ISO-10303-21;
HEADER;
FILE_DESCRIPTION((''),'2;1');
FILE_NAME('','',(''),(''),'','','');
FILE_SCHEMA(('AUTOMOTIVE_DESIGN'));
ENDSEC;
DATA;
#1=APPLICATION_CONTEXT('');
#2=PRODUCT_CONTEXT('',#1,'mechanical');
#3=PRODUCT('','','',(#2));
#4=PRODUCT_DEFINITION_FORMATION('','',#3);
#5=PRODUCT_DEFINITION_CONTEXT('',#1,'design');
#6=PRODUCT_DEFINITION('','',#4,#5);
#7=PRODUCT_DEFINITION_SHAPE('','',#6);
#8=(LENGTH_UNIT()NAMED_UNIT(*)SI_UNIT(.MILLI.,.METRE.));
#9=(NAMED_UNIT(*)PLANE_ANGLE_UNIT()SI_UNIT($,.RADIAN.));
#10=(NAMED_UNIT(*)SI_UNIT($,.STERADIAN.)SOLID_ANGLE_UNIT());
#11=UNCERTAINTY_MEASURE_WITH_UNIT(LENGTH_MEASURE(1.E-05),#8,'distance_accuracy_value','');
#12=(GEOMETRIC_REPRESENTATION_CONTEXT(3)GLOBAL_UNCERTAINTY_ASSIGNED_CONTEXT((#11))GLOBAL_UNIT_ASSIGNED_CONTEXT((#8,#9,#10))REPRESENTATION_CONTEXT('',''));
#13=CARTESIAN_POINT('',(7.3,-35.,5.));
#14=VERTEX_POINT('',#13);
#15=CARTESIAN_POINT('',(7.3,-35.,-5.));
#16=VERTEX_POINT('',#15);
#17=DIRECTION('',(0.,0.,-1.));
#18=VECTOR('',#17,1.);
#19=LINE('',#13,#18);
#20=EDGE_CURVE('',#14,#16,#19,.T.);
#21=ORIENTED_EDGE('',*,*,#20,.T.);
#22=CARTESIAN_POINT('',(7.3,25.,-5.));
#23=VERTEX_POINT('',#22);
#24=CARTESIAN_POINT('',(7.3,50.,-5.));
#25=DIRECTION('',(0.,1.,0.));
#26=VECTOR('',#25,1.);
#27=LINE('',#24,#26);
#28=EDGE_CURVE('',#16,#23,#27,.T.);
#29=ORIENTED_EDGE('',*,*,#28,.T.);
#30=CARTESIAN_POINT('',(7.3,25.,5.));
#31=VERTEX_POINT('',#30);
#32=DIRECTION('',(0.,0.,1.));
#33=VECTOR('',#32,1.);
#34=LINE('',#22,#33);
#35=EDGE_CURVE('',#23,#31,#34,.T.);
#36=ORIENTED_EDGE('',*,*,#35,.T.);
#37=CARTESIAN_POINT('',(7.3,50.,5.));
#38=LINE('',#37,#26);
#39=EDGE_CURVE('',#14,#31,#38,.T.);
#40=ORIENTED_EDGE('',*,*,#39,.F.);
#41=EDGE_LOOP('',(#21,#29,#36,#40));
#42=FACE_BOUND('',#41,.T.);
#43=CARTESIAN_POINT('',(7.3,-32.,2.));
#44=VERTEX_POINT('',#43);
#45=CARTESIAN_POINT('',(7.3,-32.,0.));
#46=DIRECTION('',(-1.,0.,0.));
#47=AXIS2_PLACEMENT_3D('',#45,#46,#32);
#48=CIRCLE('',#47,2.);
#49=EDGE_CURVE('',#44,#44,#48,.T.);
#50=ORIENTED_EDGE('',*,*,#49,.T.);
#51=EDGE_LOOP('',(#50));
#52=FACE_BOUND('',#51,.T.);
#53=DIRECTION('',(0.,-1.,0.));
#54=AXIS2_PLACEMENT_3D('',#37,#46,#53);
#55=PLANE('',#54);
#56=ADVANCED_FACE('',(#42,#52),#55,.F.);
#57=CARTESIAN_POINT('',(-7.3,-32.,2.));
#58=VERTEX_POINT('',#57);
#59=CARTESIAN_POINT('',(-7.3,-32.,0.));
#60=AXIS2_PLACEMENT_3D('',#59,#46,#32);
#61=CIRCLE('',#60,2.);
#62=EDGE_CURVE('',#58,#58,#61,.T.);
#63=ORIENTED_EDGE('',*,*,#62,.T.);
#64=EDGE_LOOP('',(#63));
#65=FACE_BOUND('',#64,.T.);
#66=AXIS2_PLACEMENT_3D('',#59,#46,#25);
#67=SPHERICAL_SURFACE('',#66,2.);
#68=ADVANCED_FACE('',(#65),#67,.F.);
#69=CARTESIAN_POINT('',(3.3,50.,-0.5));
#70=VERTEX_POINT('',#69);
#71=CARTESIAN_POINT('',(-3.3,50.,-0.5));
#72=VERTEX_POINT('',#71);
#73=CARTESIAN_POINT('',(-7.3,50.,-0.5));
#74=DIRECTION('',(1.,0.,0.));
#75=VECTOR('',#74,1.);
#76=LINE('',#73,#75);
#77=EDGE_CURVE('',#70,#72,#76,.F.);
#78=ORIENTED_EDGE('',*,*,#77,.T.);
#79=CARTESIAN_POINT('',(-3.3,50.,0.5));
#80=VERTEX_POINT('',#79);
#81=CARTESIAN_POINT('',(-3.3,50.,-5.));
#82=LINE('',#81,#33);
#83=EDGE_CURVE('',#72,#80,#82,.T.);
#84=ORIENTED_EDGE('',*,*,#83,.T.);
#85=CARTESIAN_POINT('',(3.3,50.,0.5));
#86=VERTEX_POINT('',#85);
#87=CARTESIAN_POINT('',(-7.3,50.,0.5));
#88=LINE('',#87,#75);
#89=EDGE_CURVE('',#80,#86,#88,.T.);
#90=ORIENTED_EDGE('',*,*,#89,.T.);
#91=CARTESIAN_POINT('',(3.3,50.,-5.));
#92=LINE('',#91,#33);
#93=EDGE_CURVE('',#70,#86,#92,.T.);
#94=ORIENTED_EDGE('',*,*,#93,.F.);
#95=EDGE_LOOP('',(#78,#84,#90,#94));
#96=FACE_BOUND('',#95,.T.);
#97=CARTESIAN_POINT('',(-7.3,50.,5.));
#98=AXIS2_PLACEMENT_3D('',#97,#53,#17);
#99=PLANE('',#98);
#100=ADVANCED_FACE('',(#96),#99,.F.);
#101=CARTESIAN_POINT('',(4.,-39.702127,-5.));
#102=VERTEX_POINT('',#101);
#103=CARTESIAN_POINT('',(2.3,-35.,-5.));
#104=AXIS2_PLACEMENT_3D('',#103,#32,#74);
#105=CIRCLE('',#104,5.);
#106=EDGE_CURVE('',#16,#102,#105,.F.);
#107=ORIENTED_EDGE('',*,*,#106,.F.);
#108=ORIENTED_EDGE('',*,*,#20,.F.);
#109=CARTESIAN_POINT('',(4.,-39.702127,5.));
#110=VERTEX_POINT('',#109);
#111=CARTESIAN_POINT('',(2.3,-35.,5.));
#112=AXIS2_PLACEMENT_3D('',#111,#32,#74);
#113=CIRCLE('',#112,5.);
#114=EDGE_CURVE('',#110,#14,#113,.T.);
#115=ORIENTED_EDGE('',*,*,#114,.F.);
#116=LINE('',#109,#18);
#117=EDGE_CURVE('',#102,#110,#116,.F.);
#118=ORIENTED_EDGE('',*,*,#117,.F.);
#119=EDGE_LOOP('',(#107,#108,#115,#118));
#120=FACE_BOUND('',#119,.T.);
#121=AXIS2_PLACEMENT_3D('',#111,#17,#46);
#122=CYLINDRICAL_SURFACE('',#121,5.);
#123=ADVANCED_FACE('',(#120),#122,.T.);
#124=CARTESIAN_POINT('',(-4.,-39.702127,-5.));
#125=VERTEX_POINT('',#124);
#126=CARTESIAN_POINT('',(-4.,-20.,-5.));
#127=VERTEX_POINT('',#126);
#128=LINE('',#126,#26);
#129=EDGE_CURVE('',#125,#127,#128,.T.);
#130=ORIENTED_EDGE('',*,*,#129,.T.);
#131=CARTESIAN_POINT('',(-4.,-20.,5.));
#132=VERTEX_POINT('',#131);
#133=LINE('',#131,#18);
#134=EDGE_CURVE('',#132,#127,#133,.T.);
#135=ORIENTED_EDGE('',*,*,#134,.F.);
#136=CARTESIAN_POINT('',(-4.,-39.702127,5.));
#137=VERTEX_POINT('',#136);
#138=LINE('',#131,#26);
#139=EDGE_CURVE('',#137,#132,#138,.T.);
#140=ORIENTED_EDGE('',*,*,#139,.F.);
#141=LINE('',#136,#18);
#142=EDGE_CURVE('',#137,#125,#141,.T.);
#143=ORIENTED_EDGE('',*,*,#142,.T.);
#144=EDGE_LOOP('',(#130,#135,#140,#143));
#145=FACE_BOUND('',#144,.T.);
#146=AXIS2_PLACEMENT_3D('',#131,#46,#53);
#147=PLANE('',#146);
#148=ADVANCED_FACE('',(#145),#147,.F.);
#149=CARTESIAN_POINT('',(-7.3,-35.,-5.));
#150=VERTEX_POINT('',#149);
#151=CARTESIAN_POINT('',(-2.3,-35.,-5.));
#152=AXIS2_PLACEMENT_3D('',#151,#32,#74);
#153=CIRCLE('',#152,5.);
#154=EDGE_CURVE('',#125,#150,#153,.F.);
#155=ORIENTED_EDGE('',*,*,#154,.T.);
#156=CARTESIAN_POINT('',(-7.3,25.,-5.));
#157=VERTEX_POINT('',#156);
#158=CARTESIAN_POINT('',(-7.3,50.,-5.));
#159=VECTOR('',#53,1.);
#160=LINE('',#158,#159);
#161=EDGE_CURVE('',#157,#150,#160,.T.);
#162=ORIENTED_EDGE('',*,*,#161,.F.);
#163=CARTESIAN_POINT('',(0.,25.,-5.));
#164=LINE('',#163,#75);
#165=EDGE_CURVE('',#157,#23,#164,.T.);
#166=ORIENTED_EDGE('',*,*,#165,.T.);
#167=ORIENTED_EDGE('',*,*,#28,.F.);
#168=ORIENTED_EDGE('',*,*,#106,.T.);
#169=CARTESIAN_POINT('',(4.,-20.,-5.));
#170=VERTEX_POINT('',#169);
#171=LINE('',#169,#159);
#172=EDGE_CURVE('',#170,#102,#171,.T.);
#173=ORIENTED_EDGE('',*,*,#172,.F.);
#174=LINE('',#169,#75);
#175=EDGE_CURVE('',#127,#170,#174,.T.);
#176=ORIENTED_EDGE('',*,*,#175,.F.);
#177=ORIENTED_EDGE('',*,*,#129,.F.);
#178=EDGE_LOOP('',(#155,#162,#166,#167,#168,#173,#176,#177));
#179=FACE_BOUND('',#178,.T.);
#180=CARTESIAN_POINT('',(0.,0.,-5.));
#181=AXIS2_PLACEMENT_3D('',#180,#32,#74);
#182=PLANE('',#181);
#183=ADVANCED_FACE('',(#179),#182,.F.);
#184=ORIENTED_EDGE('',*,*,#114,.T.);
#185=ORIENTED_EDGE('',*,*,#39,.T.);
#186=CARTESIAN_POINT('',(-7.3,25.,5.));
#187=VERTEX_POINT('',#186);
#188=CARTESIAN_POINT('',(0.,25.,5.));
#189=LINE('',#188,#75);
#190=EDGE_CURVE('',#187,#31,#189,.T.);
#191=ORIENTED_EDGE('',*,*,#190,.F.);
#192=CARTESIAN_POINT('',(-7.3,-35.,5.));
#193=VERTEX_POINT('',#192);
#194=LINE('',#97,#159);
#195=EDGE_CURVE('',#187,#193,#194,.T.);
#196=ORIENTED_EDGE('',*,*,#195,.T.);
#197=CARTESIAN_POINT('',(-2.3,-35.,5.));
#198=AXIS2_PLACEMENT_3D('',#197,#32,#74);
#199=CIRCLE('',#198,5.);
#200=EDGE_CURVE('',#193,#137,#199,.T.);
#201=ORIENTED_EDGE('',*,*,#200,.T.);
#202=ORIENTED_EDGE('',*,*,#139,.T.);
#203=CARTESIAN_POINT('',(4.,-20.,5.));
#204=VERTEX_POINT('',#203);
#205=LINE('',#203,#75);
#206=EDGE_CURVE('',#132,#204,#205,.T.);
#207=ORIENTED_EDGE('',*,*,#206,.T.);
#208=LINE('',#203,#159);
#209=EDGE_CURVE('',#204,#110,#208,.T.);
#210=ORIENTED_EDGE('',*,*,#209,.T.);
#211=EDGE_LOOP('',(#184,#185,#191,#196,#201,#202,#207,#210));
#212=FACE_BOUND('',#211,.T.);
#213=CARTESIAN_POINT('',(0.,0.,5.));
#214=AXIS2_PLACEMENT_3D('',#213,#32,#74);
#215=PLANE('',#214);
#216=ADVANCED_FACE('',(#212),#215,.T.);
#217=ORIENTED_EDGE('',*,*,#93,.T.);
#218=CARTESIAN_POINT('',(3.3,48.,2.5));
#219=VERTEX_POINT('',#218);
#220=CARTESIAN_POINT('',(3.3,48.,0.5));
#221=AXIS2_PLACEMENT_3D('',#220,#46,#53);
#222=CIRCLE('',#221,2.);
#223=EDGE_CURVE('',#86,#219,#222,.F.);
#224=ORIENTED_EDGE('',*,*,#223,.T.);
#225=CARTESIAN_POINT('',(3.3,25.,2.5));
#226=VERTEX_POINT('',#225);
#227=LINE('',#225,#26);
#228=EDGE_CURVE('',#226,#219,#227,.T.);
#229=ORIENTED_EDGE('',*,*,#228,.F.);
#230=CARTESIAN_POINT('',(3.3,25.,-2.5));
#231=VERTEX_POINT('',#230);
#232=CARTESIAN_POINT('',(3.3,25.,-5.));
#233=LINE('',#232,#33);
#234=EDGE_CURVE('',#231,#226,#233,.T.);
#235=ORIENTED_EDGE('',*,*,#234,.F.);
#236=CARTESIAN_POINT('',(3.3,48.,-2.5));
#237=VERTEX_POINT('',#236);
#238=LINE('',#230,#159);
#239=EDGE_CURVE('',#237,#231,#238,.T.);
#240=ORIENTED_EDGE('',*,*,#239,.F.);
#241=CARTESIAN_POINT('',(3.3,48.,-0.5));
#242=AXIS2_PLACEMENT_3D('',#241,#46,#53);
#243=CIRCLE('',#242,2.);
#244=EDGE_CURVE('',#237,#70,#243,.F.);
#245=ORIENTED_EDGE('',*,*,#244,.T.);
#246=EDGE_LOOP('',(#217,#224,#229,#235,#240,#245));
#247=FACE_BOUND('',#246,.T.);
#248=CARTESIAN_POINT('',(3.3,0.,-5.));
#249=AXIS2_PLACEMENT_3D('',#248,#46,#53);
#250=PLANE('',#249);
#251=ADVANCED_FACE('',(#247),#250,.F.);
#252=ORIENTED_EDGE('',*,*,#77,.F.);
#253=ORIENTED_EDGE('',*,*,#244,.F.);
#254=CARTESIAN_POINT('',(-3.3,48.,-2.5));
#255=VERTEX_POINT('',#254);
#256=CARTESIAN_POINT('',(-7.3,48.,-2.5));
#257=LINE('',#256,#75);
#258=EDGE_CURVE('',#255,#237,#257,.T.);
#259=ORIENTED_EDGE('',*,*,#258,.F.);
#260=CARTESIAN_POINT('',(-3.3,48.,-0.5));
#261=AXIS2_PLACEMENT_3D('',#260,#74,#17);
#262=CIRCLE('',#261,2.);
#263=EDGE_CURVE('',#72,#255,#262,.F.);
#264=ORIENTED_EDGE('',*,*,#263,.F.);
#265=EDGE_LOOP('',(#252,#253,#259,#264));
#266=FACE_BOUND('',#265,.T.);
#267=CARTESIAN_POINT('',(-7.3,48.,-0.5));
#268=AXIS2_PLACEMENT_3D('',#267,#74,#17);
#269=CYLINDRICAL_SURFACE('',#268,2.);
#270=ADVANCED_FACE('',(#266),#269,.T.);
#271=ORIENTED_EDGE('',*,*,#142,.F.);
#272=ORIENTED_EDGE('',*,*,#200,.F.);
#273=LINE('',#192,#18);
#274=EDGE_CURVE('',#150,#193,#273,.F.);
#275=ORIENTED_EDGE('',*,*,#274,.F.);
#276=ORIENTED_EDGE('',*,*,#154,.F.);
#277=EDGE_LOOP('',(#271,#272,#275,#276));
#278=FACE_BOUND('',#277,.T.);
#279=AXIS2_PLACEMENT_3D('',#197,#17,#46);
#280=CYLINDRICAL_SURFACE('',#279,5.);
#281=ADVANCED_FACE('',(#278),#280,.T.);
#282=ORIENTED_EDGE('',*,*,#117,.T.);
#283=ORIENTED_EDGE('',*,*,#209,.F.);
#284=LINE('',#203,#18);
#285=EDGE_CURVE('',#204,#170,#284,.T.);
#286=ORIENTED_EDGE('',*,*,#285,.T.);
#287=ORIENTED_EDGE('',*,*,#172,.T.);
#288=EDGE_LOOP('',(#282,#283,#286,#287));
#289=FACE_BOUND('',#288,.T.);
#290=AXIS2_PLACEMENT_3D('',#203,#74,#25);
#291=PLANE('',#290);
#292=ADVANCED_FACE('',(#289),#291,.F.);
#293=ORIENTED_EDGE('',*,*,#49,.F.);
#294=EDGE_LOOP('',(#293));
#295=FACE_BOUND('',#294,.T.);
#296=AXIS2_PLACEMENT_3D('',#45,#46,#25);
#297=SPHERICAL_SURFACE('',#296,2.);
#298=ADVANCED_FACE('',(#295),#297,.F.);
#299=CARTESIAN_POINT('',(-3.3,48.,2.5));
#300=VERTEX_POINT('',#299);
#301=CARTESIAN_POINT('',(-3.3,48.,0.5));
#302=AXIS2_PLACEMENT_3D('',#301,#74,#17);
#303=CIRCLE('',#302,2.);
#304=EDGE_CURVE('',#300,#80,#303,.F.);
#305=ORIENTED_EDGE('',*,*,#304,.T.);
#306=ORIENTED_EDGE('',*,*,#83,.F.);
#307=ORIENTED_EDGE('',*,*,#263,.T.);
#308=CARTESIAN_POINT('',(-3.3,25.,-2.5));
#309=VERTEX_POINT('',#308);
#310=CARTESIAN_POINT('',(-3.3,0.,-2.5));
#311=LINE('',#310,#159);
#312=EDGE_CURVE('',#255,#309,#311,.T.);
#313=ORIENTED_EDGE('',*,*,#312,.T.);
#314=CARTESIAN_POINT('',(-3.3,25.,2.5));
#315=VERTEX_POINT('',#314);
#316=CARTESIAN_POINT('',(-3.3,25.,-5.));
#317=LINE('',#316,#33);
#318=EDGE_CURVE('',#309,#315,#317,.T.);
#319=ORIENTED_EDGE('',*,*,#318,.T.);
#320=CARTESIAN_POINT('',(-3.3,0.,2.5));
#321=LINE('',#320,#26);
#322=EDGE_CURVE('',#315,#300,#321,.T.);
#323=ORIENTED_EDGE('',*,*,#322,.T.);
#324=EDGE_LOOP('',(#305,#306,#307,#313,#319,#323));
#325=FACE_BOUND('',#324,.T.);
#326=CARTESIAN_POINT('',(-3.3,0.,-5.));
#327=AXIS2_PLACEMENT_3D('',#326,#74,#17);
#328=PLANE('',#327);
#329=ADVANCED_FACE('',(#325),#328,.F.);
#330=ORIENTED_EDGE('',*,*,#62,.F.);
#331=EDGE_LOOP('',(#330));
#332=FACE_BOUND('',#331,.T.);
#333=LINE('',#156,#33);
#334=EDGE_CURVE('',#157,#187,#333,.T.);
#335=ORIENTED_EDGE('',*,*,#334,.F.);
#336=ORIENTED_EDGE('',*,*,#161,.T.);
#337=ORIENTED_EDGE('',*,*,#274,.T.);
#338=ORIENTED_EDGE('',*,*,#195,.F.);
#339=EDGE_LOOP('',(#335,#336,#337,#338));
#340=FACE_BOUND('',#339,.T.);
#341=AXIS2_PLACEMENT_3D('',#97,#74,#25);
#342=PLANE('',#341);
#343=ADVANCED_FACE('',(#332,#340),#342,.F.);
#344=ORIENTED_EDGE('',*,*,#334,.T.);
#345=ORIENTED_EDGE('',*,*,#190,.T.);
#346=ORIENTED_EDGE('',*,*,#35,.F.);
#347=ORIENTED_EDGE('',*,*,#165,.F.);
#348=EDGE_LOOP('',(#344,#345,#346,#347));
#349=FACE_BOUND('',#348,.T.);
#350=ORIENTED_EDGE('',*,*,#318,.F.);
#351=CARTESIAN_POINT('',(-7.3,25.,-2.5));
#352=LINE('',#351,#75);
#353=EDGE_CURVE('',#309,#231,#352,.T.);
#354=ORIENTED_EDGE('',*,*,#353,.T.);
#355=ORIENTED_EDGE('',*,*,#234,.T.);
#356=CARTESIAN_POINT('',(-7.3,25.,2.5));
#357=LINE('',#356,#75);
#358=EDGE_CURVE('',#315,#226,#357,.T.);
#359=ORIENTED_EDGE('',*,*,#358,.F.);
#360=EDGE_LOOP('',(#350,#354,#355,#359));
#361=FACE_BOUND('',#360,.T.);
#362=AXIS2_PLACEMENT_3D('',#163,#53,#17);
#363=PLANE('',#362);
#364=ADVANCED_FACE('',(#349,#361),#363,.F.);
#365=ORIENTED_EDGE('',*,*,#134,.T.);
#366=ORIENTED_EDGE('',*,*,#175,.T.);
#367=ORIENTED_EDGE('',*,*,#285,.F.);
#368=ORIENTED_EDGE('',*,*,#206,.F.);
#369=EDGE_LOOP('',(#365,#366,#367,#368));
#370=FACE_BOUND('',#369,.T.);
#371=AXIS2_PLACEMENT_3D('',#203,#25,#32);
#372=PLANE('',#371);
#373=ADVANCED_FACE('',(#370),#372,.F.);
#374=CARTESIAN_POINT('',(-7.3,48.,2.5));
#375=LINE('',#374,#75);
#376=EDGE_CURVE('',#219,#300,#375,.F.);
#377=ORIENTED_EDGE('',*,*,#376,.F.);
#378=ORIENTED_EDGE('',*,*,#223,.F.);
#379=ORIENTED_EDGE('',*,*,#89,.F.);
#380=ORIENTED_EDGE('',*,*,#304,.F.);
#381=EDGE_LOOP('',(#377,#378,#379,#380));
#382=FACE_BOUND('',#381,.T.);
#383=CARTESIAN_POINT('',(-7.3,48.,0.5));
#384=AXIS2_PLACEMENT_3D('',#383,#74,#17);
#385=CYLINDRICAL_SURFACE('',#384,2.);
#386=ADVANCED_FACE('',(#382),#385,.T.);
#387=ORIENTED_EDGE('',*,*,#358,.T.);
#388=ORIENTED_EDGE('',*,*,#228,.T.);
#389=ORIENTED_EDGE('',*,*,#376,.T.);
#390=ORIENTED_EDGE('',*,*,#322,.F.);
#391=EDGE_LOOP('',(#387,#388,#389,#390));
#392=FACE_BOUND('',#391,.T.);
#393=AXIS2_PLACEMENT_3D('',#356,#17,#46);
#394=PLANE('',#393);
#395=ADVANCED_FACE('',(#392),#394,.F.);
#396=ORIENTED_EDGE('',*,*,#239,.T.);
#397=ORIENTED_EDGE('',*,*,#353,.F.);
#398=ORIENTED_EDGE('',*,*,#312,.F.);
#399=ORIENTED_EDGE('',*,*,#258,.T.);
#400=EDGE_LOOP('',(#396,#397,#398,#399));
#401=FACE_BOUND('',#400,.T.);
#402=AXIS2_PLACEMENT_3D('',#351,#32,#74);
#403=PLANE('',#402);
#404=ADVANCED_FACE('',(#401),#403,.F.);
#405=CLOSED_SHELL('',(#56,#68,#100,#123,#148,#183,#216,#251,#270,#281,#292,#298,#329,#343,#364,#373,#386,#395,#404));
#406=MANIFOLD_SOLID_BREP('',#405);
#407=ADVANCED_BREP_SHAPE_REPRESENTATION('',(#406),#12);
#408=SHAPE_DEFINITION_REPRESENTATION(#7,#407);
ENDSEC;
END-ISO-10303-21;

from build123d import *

# Parameters (mm, degrees)
SKETCH1_W           = 14.6
SKETCH1_H           = 90
BOSS_EXTRUDE1_DEPTH = 5
FILLET1_R           = 5
SKETCH6_W           = 4
SKETCH6_H           = 25
CUT_EXTRUDE1_DEPTH  = 52.510096098
SKETCH7_W           = 2.5
SKETCH7_H           = 25
CUT_EXTRUDE2_DEPTH  = 52.355233424
FILLET4_R           = 2
SKETCH8_W           = 8
SKETCH8_H           = 20
CUT_EXTRUDE3_DEPTH  = 52.510096098


with BuildPart() as part:
    # Sketch1 → Boss-Extrude1 (new, symmetric)
    with BuildSketch(Plane.XY):
        with Locations((0, 5)):
            Rectangle(SKETCH1_W, SKETCH1_H)
    extrude(amount=BOSS_EXTRUDE1_DEPTH, both=True)

    # Fillet1
    fillet1_edges = [part.edges().sort_by_distance(p)[0] for p in [
        (7.3, -40, 0),
        (-7.3, -40, 0),
    ]]
    fillet(fillet1_edges, radius=FILLET1_R)

    # Sketch4 → Cut-Revolve2 (revolve, cut)
    with BuildSketch(Plane.XY):
        with BuildLine():
            Line((-7.3, -32), (-5.3, -32))
            ThreePointArc((-5.3, -32), (-5.885786438, -30.585786438), (-7.3, -30))
            Line((-7.3, -30), (-7.3, -32))
        make_face()
        with BuildLine():
            Line((7.3, -32), (5.3, -32))
            ThreePointArc((5.3, -32), (5.885786438, -30.585786438), (7.3, -30))
            Line((7.3, -30), (7.3, -32))
        make_face()
    revolve(axis=Axis((-17.666251228, -32, 0), (1, 0, 0)), mode=Mode.SUBTRACT)

    # Sketch6 → Cut-Extrude1 (cut, through all)
    with BuildSketch(Plane.XY.offset(5)):
        with Locations((-5.3, 37.5)):
            Rectangle(SKETCH6_W, SKETCH6_H)
        with Locations((5.3, 37.5)):
            Rectangle(SKETCH6_W, SKETCH6_H)
    extrude(amount=-CUT_EXTRUDE1_DEPTH, mode=Mode.SUBTRACT)

    # Sketch7 → Cut-Extrude2 (cut, through all)
    with BuildSketch(Plane(origin=(3.3, 0, 0), x_dir=(0, 0, -1), z_dir=(1, 0, 0))):
        with Locations((-3.75, 37.5)):
            Rectangle(SKETCH7_W, SKETCH7_H)
        with Locations((3.75, 37.5)):
            Rectangle(SKETCH7_W, SKETCH7_H)
    extrude(amount=-CUT_EXTRUDE2_DEPTH, mode=Mode.SUBTRACT)

    # Fillet4
    fillet4_edges = [part.edges().sort_by_distance(p)[0] for p in [
        (0, 50, 2.5),
        (0, 50, -2.5),
    ]]
    fillet(fillet4_edges, radius=FILLET4_R)

    # Sketch8 → Cut-Extrude3 (cut, through all)
    with BuildSketch(Plane(origin=(0, 0, -5), x_dir=(-1, 0, 0), z_dir=(0, 0, -1))):
        with Locations((0, -30)):
            Rectangle(SKETCH8_W, SKETCH8_H)
    extrude(amount=-CUT_EXTRUDE3_DEPTH, mode=Mode.SUBTRACT)


solid = part.part
